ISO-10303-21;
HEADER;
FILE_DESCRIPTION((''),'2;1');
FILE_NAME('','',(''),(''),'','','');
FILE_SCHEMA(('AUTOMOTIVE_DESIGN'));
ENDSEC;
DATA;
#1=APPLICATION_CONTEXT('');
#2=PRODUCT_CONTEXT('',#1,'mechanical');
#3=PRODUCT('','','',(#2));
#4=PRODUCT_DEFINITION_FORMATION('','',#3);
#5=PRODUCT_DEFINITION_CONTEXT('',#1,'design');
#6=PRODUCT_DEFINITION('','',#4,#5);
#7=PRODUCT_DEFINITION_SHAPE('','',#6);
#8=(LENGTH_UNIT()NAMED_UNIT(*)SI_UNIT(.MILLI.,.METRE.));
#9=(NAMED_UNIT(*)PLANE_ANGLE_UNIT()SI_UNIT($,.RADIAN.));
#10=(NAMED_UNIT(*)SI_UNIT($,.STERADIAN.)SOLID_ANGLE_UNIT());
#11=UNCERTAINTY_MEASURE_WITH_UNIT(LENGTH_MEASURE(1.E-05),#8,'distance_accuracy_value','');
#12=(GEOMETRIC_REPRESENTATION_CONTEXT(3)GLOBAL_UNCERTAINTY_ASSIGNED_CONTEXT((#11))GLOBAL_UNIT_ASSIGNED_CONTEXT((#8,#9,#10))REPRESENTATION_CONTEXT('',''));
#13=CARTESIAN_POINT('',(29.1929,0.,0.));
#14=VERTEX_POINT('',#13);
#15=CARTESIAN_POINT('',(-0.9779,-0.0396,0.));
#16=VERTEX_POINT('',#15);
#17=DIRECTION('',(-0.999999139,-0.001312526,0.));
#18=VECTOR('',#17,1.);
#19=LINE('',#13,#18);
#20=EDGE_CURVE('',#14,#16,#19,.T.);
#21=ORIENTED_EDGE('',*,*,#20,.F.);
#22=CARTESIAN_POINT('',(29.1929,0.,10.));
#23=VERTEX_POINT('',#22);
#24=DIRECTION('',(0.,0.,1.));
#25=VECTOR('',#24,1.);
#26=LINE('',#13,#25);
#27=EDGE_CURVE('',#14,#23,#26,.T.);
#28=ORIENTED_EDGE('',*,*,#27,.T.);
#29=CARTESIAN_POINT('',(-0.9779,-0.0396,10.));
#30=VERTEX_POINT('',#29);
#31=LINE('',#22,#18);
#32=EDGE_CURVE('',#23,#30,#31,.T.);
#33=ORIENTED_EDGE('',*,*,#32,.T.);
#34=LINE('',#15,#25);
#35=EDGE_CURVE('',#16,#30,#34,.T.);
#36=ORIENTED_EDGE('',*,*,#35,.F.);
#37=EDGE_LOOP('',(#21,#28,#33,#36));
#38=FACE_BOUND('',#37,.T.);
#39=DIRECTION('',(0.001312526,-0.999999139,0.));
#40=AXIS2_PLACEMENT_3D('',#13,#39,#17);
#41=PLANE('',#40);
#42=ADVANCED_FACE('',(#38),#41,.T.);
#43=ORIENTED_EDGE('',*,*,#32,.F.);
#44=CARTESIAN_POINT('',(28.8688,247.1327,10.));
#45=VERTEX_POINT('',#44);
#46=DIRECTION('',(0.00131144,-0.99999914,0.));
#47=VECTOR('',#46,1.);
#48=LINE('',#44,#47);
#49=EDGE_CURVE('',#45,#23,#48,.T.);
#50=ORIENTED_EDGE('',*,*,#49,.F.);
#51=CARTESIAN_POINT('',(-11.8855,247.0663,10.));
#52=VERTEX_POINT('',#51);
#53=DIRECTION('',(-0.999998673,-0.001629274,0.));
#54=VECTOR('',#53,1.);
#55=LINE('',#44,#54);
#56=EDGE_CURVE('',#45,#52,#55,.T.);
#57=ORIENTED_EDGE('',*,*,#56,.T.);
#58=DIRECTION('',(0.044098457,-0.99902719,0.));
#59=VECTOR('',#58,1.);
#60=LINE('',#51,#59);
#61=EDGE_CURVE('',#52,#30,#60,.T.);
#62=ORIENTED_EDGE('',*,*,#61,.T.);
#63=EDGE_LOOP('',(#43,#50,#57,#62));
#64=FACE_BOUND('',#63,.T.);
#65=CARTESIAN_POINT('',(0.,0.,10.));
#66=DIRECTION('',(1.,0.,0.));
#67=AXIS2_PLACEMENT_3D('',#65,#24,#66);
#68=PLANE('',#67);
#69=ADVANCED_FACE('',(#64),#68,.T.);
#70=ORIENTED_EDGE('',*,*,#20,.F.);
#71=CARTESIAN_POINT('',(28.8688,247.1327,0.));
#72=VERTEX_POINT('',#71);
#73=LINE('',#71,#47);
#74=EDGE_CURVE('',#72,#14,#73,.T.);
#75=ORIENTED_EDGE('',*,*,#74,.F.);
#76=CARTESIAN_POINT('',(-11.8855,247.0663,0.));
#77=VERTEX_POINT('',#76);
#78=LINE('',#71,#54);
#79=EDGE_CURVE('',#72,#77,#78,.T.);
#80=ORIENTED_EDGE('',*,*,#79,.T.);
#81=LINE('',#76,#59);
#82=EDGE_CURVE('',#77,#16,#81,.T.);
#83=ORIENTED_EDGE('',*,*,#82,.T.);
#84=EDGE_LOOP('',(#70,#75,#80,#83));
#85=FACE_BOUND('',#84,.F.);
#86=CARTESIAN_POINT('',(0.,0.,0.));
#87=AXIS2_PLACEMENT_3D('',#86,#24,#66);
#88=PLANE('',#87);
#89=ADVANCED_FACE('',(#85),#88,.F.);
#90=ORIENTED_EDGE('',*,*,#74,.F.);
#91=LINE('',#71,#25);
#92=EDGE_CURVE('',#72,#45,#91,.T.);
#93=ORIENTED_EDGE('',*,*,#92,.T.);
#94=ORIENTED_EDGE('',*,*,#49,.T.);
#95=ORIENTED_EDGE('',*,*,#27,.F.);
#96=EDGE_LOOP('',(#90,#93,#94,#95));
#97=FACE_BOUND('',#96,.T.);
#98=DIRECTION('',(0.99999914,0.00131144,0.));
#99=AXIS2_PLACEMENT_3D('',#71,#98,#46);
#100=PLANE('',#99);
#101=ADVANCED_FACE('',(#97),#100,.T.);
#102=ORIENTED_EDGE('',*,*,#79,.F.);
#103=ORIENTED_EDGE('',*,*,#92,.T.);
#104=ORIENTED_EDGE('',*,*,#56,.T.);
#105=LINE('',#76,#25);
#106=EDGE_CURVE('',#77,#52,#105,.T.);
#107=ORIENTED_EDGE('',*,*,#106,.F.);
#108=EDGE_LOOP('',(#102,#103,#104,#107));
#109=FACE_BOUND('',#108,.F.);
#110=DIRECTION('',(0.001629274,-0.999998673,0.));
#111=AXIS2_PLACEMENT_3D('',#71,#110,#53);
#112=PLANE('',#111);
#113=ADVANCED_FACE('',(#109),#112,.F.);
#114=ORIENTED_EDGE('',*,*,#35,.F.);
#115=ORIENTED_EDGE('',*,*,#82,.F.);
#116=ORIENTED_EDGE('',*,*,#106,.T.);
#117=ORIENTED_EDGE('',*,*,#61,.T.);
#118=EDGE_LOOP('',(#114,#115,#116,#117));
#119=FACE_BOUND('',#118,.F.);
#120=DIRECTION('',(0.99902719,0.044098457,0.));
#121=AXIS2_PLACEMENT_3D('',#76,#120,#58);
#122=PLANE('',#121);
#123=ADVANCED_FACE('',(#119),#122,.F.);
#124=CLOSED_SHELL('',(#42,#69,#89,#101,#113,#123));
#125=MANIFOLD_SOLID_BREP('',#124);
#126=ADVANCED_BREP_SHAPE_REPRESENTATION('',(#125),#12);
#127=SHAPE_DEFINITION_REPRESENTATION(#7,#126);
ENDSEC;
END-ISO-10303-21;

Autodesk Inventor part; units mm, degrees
ref_plane "YZ Plane" through (0, 0, 0) normal (1, 0, 0) x (0, 1, 0)
ref_plane "XZ Plane" through (0, 0, 0) normal (0, 1, 0) x (-1, 0, 0)
ref_plane "Work Plane1" through (0, 0, 0) normal (0, 0, 1) x (1, 0, 0)
sketch "Sketch1" plane through (0, 0, 0) normal (0, 0, 1) x (1, 0, 0)
  line L0 (0, 3) -> (29.1929, 3) construction
  line L1 (29.1929, 3) -> (80.018, 3) construction
  line L2 (80.018, 3) -> (80.018, 0) construction
  line L3 (80.018, 0) -> (29.1929, 0) construction
  line L4 (29.1929, 0) -> (29.1929, 3) construction
  line L5 (0, 0) -> (0, 3) construction
  line L6 (29.1929, 0) -> (0, 0) construction
  spline S0 degree 3 poles (-12.886, 247) (-12.5523, 247.0134) (-12.2186, 247.0269) (-11.5512, 247.0537) (-11.2175, 247.0672) (-10.8837, 247.0806) knots -0.200389 -0.200389 -0.200389 -0.200389 -0.100195 -0.100195 0 0 0 0 construction
  spline S1 degree 3 poles (-0.9779, -0.0396) (-1.3117, -0.0528) (-1.6454, -0.0659) (-2.3129, -0.0923) (-2.6467, -0.1055) (-2.9805, -0.1187) knots -0.200408 -0.200408 -0.200408 -0.200408 -0.100204 -0.100204 0 0 0 0 construction
  line L7 (29.1929, 0) -> (-0.9779, -0.0396)
  line L8 (28.8688, 247.1327) -> (29.1929, 0)
  line L9 (117.4636, 247.2359) -> (117.4688, 243.2359) construction
  line L10 (117.4688, 243.2359) -> (95.3505, 243.2069) construction
  line L11 (95.3505, 243.2069) -> (95.3452, 247.2069) construction
  line L12 (95.3452, 247.2069) -> (117.4636, 247.2359) construction
  spline S2 degree 3 poles (-11.8803, 243.0663) (-11.8811, 243.7329) (-11.882, 244.3996) (-11.8838, 245.7329) (-11.8846, 246.3996) (-11.8855, 247.0663) knots -0.4 -0.4 -0.4 -0.4 -0.2 -0.2 0 0 0 0 construction
  line L13 (-11.8855, 247.0663) -> (85.2837, 247.1937) construction
  line L14 (85.2837, 247.1937) -> (85.2889, 243.1937) construction
  line L15 (85.2889, 243.1937) -> (-11.8803, 243.0663) construction
  line L16 (28.8688, 247.1327) -> (-11.8855, 247.0663)
  line L17 (-11.8855, 247.0663) -> (-0.9779, -0.0396)
extrude "Extrusion1" add sketch "Sketch1" along normal blind 10
properties part number "internalSupportTop4" material "Wood (Birch)"
